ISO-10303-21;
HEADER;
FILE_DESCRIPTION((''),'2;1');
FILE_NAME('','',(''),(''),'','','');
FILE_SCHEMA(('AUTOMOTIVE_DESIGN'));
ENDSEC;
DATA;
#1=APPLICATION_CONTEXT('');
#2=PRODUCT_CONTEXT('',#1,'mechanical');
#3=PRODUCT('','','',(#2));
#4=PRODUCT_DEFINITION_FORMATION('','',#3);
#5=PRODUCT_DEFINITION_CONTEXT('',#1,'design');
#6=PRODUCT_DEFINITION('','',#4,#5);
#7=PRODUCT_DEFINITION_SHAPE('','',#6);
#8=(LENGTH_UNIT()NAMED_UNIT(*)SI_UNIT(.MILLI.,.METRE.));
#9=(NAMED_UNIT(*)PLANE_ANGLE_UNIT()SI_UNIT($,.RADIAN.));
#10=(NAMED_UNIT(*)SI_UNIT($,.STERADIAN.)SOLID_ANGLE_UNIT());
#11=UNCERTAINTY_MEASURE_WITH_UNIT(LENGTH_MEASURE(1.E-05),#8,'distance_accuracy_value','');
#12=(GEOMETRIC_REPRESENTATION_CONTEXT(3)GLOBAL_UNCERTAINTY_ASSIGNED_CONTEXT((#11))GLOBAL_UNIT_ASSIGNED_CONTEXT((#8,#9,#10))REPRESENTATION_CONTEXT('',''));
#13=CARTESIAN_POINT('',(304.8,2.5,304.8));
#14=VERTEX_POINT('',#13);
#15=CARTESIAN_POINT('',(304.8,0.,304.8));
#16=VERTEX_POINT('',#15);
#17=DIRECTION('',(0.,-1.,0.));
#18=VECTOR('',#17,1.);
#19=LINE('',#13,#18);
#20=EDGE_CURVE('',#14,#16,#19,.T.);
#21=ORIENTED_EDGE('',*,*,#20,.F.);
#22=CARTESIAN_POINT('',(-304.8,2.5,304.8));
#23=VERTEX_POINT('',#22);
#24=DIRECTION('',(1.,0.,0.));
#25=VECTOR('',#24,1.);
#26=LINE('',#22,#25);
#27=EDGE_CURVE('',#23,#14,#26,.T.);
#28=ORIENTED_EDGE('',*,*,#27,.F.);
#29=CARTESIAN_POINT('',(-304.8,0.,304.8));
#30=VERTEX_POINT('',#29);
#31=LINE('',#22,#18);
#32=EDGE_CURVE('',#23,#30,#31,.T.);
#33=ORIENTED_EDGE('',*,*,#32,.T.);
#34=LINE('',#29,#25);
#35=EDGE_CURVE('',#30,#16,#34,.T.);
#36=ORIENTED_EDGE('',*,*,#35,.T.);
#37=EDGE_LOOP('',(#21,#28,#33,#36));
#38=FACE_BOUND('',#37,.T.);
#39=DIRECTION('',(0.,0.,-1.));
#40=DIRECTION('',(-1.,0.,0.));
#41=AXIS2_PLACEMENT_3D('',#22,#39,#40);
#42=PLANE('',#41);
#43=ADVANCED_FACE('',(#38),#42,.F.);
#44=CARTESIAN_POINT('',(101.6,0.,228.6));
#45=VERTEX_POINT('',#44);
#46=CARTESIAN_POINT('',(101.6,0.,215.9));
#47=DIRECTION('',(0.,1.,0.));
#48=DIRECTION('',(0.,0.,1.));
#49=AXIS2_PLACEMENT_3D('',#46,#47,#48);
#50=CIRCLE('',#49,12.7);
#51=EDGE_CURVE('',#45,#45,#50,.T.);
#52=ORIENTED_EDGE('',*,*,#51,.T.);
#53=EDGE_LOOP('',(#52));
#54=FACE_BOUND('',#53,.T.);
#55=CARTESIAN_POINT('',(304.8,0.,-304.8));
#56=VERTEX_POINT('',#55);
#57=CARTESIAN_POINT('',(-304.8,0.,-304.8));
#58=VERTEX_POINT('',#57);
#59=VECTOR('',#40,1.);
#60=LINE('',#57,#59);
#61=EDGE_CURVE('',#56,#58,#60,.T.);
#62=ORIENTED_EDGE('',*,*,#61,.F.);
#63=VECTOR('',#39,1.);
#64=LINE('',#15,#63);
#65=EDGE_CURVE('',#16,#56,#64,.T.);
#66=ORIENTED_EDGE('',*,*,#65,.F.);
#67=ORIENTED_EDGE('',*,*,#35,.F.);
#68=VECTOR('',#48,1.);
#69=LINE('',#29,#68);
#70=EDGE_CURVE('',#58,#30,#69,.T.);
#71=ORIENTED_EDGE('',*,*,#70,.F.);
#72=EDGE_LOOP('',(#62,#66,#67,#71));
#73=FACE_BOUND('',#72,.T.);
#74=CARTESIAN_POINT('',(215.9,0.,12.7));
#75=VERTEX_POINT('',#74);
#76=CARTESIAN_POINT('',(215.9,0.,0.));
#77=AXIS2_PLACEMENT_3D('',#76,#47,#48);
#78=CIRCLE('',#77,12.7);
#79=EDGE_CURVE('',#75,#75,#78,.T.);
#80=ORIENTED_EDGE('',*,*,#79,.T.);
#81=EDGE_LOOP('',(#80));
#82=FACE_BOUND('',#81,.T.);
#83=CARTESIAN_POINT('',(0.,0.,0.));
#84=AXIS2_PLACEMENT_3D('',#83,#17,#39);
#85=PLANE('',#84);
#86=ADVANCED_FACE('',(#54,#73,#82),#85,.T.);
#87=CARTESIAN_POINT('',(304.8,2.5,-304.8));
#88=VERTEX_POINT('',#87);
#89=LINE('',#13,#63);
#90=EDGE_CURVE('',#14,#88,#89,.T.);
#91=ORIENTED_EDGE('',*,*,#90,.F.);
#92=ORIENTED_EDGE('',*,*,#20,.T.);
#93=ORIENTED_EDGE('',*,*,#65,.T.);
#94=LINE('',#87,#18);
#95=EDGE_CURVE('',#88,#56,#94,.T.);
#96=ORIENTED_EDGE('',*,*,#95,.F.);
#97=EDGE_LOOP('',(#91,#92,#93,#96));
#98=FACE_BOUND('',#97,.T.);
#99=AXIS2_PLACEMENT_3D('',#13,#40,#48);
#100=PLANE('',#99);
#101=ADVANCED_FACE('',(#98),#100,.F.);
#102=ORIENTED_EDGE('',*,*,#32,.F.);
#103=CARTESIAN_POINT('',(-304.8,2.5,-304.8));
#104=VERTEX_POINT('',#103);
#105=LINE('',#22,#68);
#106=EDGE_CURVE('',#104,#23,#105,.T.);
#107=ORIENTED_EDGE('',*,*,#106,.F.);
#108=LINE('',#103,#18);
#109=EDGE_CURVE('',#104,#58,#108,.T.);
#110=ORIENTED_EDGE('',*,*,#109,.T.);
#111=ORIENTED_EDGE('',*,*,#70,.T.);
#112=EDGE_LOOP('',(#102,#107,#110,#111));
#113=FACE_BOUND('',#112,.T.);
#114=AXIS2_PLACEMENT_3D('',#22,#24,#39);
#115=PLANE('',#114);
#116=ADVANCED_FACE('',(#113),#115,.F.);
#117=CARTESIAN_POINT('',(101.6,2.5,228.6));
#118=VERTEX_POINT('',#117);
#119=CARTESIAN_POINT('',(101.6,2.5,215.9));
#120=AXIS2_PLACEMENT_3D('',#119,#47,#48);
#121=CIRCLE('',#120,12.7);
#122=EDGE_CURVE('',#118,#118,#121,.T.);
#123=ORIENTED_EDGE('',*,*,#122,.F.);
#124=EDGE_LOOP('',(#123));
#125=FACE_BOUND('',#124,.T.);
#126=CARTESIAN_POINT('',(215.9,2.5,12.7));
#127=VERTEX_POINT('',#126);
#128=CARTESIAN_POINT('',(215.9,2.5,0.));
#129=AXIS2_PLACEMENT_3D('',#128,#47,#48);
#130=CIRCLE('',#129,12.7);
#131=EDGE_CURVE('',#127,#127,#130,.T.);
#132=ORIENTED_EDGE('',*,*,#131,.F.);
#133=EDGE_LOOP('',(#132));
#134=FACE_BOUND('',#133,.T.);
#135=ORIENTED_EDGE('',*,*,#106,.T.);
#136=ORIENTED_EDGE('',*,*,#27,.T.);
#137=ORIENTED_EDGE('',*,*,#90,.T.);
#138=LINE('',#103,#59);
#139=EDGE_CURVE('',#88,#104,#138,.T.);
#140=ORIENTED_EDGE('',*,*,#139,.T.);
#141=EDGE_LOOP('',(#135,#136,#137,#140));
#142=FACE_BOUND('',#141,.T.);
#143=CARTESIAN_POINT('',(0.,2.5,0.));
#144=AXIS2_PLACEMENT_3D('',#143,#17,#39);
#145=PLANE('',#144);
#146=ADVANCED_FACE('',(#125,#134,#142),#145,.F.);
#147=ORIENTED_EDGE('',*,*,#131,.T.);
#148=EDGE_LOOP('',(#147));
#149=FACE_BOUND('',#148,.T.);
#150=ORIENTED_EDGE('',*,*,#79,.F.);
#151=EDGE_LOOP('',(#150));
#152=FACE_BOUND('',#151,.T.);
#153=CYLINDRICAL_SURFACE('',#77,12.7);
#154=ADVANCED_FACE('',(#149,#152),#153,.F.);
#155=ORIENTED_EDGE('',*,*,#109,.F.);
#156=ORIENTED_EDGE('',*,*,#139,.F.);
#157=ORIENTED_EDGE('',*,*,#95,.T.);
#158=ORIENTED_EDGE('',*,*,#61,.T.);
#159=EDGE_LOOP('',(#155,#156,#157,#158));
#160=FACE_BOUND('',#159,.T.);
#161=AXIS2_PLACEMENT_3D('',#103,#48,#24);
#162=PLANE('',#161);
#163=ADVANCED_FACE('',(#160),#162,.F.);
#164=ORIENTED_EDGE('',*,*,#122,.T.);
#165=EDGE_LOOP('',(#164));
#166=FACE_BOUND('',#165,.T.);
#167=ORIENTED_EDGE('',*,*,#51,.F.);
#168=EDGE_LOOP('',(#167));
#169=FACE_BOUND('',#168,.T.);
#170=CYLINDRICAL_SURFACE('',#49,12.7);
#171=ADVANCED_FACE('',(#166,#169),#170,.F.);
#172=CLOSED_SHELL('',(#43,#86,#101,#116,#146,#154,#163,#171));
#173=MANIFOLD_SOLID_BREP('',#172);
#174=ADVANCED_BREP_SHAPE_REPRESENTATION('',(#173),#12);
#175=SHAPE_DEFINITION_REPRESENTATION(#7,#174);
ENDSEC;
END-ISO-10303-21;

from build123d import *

# Parameters (mm, degrees)
SKETCH1_W           = 609.6
SKETCH1_H           = 609.6
BOSS_EXTRUDE1_DEPTH = 2.5
SKETCH2_R           = 12.7
CUT_EXTRUDE1_DEPTH  = 3.5


with BuildPart() as part:
    # Sketch1 → Boss-Extrude1 (new body)
    with BuildSketch(Plane(origin=(0, 0, 0), x_dir=(1, 0, 0), z_dir=(0, 1, 0))):
        Rectangle(SKETCH1_W, SKETCH1_H)
    extrude(amount=BOSS_EXTRUDE1_DEPTH)

    # Sketch2 → Cut-Extrude1 (cut, through all)
    with BuildSketch(Plane(origin=(0, 2.5, 0), x_dir=(1, 0, 0), z_dir=(0, 1, 0))):
        with Locations((101.6, -215.9)):
            Circle(SKETCH2_R)
        with Locations((215.9, 0)):
            Circle(SKETCH2_R)
    extrude(amount=-CUT_EXTRUDE1_DEPTH, mode=Mode.SUBTRACT)


solid = part.part
